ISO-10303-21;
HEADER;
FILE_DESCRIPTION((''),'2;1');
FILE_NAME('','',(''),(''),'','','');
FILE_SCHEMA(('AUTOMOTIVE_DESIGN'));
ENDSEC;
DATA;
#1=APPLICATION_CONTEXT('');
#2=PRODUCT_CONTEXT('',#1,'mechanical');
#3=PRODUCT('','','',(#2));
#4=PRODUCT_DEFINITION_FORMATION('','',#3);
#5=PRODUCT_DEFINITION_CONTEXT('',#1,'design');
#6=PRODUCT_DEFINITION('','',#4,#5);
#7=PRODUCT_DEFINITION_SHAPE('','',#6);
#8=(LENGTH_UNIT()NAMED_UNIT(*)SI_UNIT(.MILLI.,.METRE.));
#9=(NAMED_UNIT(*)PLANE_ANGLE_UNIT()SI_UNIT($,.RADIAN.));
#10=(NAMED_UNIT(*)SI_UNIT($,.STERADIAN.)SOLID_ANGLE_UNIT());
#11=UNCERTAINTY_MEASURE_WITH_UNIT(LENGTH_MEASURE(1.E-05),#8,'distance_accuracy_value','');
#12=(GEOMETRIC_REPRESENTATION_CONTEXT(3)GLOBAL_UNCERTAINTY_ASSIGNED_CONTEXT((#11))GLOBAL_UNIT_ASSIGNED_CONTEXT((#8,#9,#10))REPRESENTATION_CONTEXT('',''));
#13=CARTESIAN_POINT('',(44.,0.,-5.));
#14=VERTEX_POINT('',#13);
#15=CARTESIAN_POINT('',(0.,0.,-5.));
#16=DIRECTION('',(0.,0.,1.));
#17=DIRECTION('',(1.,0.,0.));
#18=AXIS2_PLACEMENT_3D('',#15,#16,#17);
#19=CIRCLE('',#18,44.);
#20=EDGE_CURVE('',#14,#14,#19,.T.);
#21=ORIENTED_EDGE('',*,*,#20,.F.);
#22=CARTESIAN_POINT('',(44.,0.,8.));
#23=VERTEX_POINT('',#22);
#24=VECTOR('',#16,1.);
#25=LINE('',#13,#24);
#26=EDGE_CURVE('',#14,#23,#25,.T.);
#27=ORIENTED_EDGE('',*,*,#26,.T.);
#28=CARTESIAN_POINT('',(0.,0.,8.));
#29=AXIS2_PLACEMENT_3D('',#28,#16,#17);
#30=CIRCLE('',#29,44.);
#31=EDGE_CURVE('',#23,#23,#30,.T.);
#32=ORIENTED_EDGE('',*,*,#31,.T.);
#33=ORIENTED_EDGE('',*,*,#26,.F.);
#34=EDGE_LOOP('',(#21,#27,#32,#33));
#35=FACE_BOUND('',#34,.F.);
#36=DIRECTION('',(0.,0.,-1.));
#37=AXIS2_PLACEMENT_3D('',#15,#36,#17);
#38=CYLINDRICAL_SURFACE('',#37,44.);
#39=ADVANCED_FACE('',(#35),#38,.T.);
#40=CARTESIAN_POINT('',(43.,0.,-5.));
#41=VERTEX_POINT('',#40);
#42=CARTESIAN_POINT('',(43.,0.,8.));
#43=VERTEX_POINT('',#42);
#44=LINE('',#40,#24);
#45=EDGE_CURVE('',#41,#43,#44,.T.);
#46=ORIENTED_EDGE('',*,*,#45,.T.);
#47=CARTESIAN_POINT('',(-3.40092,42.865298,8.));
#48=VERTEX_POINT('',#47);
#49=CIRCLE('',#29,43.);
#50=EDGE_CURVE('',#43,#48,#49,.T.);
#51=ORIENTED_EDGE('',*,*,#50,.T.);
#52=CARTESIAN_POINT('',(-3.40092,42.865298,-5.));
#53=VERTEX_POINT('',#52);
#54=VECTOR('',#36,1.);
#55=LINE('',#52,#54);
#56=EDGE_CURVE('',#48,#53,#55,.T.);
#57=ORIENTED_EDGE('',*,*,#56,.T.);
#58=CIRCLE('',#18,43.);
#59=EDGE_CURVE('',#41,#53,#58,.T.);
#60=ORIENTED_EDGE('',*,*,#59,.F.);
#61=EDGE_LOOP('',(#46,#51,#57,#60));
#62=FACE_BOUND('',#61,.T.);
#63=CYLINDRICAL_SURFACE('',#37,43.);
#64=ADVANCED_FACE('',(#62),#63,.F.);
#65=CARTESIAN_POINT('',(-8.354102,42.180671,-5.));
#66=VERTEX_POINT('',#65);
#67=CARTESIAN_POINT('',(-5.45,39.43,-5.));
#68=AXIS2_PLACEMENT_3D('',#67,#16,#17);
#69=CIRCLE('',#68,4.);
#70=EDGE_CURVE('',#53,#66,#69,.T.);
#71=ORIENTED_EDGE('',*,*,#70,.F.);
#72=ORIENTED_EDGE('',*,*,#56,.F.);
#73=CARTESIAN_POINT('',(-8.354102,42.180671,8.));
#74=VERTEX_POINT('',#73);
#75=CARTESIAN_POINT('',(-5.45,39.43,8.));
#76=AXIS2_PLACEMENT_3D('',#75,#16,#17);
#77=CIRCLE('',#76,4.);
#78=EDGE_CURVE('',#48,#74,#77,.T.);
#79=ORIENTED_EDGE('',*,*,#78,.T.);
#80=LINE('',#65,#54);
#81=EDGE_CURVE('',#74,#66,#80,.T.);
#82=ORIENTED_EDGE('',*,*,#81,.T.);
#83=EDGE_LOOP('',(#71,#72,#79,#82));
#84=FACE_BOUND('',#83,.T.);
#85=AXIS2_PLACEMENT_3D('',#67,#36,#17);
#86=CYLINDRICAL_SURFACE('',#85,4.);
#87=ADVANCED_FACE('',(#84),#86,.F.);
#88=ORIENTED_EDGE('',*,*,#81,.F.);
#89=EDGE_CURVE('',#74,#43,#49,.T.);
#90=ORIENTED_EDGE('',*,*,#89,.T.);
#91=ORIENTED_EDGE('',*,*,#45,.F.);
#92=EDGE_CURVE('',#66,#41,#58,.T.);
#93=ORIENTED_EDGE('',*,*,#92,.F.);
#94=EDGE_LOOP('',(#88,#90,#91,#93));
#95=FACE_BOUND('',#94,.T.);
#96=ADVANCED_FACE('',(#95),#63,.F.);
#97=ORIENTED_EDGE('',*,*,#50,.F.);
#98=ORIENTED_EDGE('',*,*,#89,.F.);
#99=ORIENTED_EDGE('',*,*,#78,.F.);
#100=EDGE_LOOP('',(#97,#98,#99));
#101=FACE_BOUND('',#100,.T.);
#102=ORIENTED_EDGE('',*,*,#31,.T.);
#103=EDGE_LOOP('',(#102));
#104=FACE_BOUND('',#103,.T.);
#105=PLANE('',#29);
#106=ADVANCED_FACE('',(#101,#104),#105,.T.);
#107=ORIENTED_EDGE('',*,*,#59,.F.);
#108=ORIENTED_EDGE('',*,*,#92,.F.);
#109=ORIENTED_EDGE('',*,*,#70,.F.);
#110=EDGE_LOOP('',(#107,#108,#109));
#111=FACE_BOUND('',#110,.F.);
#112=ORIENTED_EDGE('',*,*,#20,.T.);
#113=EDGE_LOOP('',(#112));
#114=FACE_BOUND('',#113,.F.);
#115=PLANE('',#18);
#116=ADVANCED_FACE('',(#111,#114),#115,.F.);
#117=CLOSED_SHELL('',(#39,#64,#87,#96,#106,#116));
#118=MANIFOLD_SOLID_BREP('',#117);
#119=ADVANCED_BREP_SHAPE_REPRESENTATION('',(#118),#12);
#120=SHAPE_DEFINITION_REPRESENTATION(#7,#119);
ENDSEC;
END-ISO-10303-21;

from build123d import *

# Parameters (mm, degrees)
SKETCH006_R       = 4
EXTRUDE008_DEPTH  = 13
CYLINDER003_R     = 43
CYLINDER003_DEPTH = 13
CYLINDER002_R     = 44
CYLINDER002_DEPTH = 13


with BuildPart() as extrude008:
    # Sketch006 → Extrude008 (new body)
    with BuildSketch(Plane.XY):
        with Locations((-5.45, 39.43)):
            Circle(SKETCH006_R)
    extrude(amount=EXTRUDE008_DEPTH)


with BuildPart() as extrude008_1:
    # Extrude008 placement: moved
    add(extrude008.part.moved(Location((0, 0, -5))))


with BuildPart() as overlap_cutout:
    # Cylinder003 → Cylinder003 (new body)
    with BuildSketch(Plane.XY.offset(-5)):
        Circle(CYLINDER003_R)
    extrude(amount=CYLINDER003_DEPTH)

    # Fusion: union Extrude008
    add(extrude008_1.part)


with BuildPart() as overlap_with_cutout:
    # Cylinder002 → Cylinder002 (new body)
    with BuildSketch(Plane.XY.offset(-5)):
        Circle(CYLINDER002_R)
    extrude(amount=CYLINDER002_DEPTH)

    # Cut006: cut overlap-cutout
    add(overlap_cutout.part, mode=Mode.SUBTRACT)


solid = overlap_with_cutout.part
